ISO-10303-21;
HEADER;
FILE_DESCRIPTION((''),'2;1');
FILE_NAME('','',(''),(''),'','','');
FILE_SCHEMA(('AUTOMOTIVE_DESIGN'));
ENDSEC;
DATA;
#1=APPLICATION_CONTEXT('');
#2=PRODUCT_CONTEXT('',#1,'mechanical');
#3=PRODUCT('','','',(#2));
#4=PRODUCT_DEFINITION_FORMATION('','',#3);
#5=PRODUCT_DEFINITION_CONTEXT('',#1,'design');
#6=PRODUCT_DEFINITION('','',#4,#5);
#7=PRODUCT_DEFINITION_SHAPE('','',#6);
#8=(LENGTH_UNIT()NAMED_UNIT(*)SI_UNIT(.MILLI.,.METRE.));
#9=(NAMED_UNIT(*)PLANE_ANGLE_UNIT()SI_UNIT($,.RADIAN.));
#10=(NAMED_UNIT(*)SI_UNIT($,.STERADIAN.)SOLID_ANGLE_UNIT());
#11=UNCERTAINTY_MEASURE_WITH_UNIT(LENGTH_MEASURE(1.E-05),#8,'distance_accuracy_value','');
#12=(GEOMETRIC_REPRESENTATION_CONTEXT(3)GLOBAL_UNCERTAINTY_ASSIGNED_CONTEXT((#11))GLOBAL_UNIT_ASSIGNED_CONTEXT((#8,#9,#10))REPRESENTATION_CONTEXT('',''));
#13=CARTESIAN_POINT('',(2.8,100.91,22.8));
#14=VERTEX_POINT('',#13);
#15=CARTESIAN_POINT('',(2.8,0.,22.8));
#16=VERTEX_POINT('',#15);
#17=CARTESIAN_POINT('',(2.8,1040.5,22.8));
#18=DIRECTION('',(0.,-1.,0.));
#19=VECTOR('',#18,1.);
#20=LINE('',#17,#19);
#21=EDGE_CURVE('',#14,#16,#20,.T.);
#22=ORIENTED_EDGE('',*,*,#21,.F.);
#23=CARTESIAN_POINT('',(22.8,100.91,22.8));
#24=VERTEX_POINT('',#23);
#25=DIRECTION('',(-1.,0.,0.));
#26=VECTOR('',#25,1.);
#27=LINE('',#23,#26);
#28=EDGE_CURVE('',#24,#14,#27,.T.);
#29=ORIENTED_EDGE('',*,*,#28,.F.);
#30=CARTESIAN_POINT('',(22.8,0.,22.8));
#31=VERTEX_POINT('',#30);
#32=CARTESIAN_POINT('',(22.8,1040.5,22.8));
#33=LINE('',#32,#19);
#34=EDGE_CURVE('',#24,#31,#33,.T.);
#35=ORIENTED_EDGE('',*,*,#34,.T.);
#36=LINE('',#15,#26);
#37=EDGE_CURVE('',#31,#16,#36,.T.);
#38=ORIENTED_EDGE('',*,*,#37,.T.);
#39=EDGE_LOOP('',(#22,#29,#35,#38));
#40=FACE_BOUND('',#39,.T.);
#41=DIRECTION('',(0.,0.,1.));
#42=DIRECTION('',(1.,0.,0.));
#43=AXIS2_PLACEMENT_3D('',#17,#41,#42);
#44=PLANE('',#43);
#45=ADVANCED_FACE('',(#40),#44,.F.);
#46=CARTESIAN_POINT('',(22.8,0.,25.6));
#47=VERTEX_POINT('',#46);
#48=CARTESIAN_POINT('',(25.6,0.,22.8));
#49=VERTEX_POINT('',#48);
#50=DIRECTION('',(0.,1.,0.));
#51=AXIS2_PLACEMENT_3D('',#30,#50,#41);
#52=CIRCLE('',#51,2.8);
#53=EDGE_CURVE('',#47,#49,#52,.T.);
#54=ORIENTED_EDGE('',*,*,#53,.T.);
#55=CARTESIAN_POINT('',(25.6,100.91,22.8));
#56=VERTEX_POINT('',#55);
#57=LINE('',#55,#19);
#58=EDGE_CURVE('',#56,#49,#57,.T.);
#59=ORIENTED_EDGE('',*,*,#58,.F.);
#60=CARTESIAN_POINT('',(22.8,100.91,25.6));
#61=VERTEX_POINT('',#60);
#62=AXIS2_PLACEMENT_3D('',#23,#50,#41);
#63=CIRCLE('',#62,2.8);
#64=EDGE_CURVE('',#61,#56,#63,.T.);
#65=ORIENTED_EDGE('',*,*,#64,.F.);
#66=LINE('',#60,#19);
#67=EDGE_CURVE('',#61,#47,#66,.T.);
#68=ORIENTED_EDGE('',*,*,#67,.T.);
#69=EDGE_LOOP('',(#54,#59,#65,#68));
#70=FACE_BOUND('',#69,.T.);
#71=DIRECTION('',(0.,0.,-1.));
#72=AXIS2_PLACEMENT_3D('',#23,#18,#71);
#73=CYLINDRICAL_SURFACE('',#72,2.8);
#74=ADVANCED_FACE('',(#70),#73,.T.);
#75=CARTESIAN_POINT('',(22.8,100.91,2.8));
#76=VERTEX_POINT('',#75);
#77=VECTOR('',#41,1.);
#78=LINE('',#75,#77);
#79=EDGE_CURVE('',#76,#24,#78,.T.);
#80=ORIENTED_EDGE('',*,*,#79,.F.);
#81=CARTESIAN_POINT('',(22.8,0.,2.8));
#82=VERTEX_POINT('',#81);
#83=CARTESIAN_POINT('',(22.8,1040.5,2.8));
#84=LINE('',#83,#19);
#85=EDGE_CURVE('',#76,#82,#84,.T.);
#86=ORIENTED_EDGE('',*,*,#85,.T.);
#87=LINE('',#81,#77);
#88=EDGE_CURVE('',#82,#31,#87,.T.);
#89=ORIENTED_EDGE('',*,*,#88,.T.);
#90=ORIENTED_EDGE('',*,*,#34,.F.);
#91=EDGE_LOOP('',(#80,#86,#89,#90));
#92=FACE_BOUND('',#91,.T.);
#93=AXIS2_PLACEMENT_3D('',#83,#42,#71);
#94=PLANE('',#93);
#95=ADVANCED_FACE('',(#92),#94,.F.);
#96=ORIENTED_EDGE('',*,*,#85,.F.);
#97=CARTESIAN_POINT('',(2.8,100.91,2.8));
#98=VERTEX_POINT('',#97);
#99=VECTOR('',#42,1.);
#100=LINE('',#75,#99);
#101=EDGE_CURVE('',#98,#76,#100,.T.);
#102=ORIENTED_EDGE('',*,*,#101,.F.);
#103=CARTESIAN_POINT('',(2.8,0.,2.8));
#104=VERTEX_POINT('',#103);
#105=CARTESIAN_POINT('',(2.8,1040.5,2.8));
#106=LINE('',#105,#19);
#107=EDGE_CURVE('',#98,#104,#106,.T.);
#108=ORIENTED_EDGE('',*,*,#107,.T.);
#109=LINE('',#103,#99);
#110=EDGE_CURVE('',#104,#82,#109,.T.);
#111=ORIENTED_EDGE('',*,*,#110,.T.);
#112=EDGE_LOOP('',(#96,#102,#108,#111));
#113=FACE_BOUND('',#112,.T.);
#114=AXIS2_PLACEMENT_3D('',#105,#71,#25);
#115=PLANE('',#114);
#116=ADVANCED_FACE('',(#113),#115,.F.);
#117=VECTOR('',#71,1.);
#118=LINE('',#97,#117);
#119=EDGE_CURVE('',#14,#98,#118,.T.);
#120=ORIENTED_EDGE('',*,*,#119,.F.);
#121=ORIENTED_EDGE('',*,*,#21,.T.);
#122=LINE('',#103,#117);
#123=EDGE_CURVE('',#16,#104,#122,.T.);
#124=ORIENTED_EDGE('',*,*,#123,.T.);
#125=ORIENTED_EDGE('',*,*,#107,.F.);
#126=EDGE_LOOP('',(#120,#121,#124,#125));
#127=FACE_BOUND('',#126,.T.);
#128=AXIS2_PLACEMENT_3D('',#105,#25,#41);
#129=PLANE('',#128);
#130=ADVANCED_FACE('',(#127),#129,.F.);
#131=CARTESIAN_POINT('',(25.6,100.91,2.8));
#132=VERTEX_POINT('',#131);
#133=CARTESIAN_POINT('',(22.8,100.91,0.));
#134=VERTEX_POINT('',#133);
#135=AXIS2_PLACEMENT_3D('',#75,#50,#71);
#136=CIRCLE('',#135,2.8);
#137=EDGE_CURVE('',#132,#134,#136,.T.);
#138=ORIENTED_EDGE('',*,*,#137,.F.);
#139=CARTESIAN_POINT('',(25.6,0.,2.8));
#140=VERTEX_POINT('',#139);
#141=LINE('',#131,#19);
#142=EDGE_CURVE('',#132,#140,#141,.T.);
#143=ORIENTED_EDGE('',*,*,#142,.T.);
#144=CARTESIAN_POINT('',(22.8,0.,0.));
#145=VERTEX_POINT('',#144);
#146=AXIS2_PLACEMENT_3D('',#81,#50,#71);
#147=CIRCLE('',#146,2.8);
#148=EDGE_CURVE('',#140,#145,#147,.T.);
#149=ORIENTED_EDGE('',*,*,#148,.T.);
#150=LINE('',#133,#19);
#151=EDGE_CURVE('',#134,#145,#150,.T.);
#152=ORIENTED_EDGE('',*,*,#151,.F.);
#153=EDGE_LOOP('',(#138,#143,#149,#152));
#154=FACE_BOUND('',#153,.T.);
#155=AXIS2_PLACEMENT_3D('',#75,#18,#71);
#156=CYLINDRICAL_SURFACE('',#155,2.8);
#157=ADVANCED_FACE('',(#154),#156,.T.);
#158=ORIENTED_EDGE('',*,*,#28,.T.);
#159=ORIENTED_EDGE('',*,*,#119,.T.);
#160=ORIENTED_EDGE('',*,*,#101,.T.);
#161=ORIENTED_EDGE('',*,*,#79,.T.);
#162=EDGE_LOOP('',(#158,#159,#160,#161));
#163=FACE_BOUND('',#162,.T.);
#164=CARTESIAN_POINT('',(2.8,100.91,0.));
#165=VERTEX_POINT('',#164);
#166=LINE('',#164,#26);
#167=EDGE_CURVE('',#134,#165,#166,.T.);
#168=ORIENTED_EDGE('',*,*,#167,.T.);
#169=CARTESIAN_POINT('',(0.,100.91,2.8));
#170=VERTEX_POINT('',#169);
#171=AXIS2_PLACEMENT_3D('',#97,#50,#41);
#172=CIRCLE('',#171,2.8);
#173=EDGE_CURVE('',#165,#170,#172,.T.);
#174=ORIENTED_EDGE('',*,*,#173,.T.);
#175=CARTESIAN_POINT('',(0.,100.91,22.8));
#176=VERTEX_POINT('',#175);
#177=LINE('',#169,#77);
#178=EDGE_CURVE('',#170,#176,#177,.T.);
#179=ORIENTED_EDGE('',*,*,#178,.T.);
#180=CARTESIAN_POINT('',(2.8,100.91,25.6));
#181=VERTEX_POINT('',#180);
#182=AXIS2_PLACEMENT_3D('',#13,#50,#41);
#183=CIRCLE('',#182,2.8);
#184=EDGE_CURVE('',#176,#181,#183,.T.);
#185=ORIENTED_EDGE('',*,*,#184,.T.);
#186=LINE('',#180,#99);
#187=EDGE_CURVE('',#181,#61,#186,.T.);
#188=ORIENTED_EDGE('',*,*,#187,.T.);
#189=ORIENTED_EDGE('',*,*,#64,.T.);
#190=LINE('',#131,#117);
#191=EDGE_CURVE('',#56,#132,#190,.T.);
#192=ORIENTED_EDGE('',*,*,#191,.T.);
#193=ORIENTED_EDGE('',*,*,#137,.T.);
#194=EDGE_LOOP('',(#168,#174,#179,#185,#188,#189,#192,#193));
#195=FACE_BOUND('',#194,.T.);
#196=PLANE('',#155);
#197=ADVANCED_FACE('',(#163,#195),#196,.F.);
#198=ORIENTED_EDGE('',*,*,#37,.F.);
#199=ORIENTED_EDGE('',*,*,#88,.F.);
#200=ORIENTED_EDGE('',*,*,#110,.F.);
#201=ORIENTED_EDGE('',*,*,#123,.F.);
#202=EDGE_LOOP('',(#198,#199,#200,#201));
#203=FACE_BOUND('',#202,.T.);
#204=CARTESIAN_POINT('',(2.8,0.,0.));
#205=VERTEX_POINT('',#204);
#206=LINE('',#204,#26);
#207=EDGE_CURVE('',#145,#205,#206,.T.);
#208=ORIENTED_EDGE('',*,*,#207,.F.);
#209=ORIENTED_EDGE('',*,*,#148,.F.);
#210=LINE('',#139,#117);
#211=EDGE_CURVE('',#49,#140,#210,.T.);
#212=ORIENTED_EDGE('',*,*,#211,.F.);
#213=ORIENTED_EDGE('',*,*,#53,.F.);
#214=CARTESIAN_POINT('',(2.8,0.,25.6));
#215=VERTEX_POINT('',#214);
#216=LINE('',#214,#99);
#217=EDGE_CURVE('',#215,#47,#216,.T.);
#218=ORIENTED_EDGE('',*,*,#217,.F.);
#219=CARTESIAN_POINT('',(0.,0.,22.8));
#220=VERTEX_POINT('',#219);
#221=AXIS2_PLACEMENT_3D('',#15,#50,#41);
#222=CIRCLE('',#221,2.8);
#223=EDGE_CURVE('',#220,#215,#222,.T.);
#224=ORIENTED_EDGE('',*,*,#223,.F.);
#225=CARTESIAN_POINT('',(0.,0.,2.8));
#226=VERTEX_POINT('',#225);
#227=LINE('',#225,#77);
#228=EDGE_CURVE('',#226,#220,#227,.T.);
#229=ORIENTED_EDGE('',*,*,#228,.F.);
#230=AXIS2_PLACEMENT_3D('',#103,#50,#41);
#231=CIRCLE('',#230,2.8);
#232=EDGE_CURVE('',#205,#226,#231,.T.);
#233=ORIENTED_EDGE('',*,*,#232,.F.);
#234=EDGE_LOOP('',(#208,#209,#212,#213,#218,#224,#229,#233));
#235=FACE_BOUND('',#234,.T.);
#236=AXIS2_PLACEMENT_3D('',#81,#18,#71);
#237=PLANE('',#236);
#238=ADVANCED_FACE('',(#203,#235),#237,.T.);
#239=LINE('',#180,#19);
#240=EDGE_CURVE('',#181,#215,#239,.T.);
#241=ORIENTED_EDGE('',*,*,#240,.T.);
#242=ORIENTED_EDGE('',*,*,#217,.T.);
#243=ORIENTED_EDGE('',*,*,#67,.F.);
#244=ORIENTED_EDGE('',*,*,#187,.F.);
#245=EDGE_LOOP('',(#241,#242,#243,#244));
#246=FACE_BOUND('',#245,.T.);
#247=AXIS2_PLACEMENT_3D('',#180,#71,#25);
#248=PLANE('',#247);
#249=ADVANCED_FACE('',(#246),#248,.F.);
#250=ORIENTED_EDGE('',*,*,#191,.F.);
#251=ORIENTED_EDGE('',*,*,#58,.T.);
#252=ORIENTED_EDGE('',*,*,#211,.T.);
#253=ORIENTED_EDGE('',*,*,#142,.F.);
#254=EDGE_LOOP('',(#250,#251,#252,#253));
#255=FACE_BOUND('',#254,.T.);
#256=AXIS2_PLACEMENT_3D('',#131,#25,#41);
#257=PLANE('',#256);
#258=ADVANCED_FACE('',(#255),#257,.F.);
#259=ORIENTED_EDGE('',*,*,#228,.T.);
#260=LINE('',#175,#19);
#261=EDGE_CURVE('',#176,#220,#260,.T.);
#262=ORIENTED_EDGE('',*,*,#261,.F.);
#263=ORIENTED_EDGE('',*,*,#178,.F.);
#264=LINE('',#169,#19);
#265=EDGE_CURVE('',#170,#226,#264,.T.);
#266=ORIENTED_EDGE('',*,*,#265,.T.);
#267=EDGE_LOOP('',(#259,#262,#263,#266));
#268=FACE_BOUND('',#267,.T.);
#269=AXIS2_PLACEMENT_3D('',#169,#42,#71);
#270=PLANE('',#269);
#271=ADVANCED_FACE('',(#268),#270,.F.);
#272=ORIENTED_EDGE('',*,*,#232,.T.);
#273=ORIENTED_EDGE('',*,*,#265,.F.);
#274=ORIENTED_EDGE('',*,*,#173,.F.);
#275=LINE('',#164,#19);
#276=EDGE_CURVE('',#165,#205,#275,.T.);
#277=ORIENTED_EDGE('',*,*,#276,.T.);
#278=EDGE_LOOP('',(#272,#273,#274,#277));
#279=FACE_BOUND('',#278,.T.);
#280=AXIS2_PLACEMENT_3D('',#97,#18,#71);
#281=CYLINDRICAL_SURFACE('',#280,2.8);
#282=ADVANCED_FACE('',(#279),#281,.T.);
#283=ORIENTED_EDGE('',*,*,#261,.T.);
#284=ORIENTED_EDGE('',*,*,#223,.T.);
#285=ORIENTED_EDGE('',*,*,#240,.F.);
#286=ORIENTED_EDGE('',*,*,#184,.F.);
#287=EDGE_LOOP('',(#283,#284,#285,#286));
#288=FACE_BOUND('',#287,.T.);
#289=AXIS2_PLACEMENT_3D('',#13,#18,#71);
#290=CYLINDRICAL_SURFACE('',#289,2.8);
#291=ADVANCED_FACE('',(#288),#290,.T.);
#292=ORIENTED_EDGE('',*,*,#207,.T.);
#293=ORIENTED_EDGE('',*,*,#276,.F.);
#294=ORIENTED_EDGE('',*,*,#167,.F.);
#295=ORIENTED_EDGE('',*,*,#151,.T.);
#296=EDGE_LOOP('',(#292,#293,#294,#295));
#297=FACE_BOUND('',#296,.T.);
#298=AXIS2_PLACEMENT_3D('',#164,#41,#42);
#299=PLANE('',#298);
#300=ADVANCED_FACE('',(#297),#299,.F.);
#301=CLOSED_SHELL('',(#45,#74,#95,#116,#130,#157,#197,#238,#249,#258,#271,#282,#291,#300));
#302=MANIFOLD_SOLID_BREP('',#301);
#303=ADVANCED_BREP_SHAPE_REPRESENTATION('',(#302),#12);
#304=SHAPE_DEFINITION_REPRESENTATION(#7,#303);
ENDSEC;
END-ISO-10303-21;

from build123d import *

# Parameters (mm, degrees)
BOSS_EXTRUDE1_DEPTH = 100.91
SKETCH3_W           = 20
SKETCH3_H           = 20
CUT_EXTRUDE1_DEPTH  = 1040.5


with BuildPart() as part:
    # Sketch1 → Boss-Extrude1 (new body)
    with BuildSketch(Plane(origin=(0, 0, 0), x_dir=(1, 0, 0), z_dir=(0, 1, 0))):
        with BuildLine():
            Line((2.8, 0), (22.8, 0))
            ThreePointArc((22.8, 0), (24.779898987, -0.820101013), (25.6, -2.8))
            Line((25.6, -2.8), (25.6, -22.8))
            ThreePointArc((25.6, -22.8), (24.779898987, -24.779898987), (22.8, -25.6))
            Line((22.8, -25.6), (2.8, -25.6))
            ThreePointArc((2.8, -25.6), (0.820101013, -24.779898987), (0, -22.8))
            Line((0, -22.8), (0, -2.8))
            ThreePointArc((0, -2.8), (0.820101013, -0.820101013), (2.8, 0))
        make_face()
    extrude(amount=BOSS_EXTRUDE1_DEPTH)

    # Sketch3 → Cut-Extrude1 (cut)
    with BuildSketch(Plane(origin=(0, 0, 0), x_dir=(-1, 0, 0), z_dir=(0, -1, 0))):
        with Locations((-12.8, -12.8)):
            Rectangle(SKETCH3_W, SKETCH3_H)
    extrude(amount=-CUT_EXTRUDE1_DEPTH, mode=Mode.SUBTRACT)


solid = part.part
